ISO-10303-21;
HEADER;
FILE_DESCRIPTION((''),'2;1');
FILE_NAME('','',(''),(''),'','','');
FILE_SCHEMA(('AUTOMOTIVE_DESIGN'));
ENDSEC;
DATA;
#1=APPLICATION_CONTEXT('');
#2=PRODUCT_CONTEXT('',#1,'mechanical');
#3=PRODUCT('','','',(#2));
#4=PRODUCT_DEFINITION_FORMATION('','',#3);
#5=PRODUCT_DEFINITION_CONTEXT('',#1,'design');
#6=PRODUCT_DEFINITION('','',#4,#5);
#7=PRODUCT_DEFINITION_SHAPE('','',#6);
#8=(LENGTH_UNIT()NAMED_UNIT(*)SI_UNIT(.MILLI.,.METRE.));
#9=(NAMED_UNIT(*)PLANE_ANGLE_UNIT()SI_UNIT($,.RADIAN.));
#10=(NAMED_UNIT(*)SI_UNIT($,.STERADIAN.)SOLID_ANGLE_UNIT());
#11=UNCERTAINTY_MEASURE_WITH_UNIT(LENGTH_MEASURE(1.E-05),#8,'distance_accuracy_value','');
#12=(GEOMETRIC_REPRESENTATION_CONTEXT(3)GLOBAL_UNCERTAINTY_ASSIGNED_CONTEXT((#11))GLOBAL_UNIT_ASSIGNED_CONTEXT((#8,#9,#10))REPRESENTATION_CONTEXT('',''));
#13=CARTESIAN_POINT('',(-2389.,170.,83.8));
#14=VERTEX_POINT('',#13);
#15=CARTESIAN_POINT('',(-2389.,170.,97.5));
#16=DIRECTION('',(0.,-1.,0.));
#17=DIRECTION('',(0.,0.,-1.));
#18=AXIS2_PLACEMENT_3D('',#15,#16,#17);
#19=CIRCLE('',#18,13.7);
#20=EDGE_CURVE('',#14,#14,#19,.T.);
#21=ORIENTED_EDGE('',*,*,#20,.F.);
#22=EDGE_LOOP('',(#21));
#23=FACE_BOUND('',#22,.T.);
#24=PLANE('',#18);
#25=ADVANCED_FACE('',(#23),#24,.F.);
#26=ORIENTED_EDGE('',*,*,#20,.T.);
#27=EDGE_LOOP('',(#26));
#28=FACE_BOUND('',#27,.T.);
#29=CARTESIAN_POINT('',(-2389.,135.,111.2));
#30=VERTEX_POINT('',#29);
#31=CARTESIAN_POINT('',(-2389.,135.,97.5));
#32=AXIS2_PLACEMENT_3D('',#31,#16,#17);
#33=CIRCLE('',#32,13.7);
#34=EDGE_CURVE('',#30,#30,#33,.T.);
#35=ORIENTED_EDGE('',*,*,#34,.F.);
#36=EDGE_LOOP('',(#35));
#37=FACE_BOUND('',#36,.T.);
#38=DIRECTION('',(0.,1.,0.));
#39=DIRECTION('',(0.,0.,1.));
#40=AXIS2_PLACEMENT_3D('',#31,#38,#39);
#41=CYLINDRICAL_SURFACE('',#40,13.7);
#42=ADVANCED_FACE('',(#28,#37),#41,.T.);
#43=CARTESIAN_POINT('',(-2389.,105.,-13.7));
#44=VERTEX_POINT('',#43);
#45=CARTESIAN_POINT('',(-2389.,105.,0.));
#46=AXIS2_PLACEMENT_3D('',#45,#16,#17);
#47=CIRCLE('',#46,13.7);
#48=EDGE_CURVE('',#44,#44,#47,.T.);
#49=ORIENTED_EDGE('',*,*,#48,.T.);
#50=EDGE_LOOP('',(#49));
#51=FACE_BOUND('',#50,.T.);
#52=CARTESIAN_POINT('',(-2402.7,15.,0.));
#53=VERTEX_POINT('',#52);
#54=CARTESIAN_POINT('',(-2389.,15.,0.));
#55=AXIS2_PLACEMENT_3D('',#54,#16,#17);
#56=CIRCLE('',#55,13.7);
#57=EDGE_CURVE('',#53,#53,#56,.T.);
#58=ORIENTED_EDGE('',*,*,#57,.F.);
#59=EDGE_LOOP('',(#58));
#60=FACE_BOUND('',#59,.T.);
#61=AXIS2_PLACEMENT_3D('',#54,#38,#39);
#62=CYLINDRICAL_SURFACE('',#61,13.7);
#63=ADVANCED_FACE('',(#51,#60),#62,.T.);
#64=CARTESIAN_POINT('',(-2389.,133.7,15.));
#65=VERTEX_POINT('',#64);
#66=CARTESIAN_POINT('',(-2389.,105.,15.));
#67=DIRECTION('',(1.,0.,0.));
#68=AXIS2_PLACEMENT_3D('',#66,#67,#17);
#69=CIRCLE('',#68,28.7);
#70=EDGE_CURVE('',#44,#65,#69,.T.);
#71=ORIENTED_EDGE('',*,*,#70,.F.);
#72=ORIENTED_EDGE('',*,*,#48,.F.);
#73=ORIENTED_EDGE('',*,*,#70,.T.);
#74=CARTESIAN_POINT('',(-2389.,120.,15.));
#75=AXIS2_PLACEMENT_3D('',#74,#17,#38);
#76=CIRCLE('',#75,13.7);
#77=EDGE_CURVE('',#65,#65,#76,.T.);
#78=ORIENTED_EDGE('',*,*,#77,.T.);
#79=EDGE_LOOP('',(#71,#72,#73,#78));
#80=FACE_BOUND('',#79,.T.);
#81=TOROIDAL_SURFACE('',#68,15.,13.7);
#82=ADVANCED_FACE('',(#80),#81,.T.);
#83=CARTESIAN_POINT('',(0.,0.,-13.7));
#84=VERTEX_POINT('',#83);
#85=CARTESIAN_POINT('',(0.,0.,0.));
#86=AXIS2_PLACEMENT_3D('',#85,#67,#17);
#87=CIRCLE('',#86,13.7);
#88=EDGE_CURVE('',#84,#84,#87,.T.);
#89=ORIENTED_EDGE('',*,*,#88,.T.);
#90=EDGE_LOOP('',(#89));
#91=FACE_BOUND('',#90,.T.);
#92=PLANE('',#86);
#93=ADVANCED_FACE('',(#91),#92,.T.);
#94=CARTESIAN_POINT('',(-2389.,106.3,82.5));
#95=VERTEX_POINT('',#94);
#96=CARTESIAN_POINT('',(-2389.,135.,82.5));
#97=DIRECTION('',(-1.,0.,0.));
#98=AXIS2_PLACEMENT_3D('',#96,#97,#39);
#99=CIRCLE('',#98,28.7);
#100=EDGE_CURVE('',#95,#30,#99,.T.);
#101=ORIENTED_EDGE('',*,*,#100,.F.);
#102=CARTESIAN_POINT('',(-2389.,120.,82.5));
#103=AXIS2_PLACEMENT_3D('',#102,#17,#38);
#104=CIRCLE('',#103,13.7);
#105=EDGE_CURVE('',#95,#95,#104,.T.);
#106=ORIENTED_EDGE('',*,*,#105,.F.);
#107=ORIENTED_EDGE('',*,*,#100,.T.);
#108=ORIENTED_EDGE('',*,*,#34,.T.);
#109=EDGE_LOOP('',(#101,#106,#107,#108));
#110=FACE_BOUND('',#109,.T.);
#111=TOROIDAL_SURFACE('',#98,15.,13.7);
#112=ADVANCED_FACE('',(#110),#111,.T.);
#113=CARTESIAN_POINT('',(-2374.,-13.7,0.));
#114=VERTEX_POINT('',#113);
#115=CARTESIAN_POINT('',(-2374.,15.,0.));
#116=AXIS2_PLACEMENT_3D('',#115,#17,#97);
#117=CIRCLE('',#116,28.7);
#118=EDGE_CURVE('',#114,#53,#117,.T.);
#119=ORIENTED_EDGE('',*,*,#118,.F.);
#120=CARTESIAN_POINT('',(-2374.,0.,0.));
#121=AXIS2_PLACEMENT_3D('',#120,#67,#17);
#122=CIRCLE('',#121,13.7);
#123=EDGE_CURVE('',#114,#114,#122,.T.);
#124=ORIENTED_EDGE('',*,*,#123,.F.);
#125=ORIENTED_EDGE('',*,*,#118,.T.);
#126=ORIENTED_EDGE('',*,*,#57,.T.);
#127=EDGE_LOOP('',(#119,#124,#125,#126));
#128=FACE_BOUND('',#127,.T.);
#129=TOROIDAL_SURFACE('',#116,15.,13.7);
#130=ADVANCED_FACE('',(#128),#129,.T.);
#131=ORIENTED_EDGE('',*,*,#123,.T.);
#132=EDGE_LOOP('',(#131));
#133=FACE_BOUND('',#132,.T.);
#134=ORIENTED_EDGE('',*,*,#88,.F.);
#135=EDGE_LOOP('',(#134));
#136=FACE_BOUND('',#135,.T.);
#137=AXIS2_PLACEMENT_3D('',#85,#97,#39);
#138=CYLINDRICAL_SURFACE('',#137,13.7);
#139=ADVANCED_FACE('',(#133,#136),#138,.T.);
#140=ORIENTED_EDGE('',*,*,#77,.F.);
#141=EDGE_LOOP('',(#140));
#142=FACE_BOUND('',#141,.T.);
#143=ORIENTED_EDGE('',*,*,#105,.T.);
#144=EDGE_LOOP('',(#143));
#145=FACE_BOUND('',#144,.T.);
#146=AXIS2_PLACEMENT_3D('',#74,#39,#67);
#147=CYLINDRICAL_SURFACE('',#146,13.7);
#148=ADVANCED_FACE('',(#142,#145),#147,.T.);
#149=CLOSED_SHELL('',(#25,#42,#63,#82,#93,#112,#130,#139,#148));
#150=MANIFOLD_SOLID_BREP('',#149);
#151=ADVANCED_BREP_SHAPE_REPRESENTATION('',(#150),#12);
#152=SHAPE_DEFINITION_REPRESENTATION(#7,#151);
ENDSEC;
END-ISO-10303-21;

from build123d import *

# Parameters (mm, degrees)
CROQUIS1_R = 13.7


with BuildPart() as part:
    # Barrer1: sweep along a curve in space
    with BuildLine() as barrer1_path:
        Line((0, 0, 0), (-2374, 0, 0))
        ThreePointArc((-2374, 0, 0), (-2384.606601718, 4.393398282, 0), (-2389, 15, 0))
        Line((-2389, 15, 0), (-2389, 105, 0))
        ThreePointArc((-2389, 105, 0), (-2389, 115.606601718, 4.393398282), (-2389, 120, 15))
        Line((-2389, 120, 15), (-2389, 120, 82.5))
        ThreePointArc((-2389, 120, 82.5), (-2389, 124.393398282, 93.106601718), (-2389, 135, 97.5))
        Line((-2389, 135, 97.5), (-2389, 170, 97.5))
    # Croquis1 → Barrer1 (sweep)
    with BuildSketch(Plane(origin=(0, 0, 0), x_dir=(0, 0, -1), z_dir=(1, 0, 0))):
        Circle(CROQUIS1_R)
    sweep(path=barrer1_path.line)


solid = part.part
